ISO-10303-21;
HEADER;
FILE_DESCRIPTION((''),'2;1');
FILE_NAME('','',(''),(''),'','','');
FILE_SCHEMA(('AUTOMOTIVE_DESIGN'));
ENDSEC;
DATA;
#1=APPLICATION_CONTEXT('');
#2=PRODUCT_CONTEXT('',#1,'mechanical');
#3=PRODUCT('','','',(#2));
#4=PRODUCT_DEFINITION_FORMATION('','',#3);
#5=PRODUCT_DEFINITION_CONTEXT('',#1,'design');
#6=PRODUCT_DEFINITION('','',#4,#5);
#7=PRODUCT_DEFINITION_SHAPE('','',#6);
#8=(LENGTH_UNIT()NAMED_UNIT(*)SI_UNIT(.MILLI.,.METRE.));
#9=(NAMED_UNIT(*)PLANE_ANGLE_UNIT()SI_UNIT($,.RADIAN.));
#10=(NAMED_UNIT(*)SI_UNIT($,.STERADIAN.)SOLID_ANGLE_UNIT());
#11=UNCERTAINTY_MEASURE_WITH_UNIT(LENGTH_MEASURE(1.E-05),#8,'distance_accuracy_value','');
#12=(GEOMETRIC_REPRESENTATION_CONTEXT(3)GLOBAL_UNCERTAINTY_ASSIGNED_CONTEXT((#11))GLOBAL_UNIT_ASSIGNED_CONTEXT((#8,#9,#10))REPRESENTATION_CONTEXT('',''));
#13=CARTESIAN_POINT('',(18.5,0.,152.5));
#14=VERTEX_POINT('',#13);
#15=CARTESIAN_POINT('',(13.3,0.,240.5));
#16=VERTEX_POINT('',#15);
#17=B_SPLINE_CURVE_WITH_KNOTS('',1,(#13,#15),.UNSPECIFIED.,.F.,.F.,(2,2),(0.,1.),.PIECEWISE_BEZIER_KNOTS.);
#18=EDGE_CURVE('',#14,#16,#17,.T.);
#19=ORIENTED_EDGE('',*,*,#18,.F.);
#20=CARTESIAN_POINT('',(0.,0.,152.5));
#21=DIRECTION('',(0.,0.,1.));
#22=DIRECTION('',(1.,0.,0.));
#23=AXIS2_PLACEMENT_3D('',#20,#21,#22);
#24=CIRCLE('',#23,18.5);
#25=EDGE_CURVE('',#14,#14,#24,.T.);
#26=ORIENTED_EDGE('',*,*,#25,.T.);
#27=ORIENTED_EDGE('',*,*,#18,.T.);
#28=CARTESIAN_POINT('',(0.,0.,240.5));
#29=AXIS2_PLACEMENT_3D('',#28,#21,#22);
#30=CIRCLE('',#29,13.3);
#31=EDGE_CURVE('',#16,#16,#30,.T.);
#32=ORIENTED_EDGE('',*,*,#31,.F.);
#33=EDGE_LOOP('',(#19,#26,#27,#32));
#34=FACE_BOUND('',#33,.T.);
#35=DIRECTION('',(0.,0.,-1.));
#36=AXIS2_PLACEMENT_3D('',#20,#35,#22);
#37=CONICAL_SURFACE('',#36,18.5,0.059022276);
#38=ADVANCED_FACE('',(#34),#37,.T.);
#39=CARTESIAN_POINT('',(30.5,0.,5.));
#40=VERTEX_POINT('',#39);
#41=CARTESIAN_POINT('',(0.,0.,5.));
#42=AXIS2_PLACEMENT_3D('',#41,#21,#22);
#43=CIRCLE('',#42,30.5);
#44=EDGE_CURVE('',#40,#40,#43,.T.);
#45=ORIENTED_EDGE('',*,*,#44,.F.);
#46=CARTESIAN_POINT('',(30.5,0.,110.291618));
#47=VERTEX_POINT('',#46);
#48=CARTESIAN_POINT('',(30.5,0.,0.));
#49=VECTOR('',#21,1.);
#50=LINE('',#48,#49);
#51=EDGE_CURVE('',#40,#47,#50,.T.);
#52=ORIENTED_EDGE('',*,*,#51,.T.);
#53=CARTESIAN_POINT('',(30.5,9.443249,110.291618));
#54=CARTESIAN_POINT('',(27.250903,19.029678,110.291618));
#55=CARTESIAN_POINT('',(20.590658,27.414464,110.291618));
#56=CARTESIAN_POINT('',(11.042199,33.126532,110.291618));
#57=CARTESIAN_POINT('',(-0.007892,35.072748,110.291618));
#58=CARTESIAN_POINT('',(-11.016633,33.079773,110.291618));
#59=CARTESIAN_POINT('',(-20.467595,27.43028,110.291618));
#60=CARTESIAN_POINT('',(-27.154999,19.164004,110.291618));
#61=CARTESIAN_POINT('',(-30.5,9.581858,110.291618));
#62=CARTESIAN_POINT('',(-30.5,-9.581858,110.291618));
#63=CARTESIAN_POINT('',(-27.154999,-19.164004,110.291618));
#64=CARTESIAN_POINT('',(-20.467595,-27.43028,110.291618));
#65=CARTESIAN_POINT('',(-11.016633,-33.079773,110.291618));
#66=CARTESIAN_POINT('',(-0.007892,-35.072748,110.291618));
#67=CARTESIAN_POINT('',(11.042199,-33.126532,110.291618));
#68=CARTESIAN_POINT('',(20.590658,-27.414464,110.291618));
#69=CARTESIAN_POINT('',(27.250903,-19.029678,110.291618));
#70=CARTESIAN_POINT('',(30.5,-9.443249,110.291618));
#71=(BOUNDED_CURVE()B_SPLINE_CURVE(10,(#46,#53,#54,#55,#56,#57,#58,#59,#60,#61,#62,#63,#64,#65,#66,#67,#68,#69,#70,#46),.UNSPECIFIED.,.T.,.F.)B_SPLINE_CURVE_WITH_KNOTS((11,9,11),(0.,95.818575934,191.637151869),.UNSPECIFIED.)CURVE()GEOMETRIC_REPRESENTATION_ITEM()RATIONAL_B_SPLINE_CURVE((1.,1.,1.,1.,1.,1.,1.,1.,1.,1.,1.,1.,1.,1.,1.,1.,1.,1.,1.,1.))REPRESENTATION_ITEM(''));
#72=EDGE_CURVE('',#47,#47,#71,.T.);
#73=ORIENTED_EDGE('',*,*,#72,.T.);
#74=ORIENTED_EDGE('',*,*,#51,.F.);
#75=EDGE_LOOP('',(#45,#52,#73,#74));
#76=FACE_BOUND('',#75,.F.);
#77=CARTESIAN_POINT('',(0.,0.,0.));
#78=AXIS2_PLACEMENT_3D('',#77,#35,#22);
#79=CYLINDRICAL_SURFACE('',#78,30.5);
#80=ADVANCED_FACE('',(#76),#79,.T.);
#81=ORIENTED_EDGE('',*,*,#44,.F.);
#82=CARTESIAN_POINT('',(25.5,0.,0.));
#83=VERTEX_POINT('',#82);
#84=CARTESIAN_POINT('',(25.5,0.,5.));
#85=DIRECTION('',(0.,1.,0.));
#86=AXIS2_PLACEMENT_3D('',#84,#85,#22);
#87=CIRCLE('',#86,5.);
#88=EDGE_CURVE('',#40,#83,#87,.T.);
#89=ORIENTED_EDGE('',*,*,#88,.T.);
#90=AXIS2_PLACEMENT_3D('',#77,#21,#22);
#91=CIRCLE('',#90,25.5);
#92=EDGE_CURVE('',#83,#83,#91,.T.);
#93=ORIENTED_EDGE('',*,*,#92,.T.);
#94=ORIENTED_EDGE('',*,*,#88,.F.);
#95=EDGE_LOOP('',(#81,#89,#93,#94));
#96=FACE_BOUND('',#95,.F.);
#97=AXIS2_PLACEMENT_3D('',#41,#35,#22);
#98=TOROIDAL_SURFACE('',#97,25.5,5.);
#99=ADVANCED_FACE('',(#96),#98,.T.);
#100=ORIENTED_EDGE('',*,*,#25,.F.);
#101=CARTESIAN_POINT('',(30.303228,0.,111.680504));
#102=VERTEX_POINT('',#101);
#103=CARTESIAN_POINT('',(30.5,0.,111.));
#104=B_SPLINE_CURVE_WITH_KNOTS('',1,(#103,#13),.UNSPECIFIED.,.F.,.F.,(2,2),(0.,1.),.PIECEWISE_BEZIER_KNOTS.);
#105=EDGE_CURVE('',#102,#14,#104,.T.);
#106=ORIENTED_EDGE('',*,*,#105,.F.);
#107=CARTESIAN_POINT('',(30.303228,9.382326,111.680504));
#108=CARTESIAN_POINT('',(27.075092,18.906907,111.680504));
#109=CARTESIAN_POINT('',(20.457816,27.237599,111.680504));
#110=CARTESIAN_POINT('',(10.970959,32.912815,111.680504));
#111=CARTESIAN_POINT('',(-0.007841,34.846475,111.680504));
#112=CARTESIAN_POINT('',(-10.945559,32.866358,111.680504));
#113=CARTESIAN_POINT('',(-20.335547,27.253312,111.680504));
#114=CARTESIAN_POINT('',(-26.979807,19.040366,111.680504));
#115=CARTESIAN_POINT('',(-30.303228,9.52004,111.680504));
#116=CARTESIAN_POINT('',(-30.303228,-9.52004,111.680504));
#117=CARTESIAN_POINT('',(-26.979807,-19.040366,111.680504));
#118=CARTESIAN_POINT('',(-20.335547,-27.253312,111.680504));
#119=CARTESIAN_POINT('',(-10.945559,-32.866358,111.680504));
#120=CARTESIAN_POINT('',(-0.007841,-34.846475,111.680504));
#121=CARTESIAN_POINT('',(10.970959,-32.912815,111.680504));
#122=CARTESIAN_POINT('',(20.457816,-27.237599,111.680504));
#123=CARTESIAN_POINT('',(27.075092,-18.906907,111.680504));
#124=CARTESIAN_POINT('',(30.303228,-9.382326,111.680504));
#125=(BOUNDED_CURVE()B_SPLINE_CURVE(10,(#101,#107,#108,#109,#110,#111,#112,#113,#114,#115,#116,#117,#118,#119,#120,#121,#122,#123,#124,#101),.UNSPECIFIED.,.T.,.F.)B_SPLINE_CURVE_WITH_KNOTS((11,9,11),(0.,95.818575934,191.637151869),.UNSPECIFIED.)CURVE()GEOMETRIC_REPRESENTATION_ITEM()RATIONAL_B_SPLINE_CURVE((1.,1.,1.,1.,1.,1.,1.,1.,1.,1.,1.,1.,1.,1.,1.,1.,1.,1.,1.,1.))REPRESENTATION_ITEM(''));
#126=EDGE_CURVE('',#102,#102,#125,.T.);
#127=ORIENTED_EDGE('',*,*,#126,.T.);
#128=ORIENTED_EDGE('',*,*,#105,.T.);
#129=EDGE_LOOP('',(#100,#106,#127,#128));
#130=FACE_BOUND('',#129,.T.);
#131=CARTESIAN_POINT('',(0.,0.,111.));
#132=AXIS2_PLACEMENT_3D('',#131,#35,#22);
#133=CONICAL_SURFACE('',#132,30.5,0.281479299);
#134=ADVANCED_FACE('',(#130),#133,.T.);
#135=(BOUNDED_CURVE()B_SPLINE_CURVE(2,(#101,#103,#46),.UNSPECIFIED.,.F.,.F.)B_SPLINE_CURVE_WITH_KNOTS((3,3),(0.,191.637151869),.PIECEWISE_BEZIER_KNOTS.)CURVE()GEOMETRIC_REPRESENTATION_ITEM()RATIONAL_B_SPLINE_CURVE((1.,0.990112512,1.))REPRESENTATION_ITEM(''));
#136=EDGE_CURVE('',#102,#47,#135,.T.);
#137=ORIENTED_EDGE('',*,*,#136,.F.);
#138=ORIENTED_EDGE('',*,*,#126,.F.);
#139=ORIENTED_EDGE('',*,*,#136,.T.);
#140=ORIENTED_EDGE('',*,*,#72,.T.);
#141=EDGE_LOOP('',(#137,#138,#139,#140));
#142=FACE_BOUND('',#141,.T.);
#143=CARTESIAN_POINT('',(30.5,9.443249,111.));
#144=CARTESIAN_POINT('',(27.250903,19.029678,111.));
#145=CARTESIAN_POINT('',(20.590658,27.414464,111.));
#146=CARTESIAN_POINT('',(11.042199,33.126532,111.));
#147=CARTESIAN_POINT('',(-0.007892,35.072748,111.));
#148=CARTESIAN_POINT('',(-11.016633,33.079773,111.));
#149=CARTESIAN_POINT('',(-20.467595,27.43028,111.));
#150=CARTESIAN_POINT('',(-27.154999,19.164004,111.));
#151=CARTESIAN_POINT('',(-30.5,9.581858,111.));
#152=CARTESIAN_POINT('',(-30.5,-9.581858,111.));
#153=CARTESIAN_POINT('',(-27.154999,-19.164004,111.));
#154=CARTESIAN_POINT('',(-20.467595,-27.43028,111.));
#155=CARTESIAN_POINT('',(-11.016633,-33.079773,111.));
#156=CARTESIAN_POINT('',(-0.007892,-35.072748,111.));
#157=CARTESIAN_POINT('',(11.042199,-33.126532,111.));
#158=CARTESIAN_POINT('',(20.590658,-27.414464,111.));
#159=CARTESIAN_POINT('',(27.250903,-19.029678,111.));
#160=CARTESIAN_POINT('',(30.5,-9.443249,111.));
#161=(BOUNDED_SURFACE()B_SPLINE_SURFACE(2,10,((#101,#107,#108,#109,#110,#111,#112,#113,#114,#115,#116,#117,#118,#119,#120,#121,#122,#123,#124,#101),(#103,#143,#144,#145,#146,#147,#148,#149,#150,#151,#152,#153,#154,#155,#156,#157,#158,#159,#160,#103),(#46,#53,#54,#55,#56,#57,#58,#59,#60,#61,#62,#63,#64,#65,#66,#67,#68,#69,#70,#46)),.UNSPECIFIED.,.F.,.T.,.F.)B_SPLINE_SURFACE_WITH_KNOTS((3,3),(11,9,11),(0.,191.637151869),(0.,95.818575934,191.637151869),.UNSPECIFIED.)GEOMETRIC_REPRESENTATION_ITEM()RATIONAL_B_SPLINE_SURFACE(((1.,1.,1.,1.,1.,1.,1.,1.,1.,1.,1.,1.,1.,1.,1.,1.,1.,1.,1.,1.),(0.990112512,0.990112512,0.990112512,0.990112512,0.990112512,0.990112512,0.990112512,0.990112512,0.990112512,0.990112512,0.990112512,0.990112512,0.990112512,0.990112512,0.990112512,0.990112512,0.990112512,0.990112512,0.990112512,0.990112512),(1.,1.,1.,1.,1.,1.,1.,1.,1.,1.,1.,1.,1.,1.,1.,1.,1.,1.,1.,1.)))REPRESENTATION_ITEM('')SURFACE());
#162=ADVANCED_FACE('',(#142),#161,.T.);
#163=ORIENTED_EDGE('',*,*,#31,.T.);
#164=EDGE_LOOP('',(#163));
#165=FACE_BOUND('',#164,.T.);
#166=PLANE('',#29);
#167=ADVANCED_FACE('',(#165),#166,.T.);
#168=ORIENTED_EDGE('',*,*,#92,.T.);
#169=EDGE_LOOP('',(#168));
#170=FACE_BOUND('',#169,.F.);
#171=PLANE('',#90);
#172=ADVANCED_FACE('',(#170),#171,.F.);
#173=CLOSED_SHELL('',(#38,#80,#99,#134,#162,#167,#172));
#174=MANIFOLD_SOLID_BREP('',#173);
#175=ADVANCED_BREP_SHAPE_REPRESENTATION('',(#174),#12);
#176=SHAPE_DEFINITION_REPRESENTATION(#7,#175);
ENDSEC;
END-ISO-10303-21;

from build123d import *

# Parameters (mm, degrees)
F0_R      = 30.5
F2_DEPTH  = 111
F2_FACE_R = 30.5
F3_R      = 18.5
F5_R      = 5
F6_R      = 5
F4_FACE_R = 18.5
F8_R      = 13.3


with BuildPart() as f2:
    # F0 (on Top) → F2 (new body)
    with BuildSketch(Plane.XY):
        Circle(F0_R)
    extrude(amount=F2_DEPTH)

    # F2_face (on face) → F4 section 0
    with BuildSketch(Plane.XY.offset(111)):
        Circle(F2_FACE_R)
    # F3 (on offset) → F4 section 1
    with BuildSketch(Plane.XY.offset(152.5)):
        Circle(F3_R)
    loft()

    # F5
    f5_edges = [f2.edges().sort_by_distance(p)[0] for p in [
        (-30.5, 0, 111),
    ]]
    fillet(f5_edges, radius=F5_R)

    # F6
    f6_edges = [f2.edges().sort_by_distance(p)[0] for p in [
        (-30.5, 0, 0),
    ]]
    fillet(f6_edges, radius=F6_R)

    # F4_face (on face) → F9 section 0
    with BuildSketch(Plane.XY.offset(152.5)):
        Circle(F4_FACE_R)
    # F8 (on offset) → F9 section 1
    with BuildSketch(Plane.XY.offset(240.5)):
        Circle(F8_R)
    loft()


solid = f2.part
